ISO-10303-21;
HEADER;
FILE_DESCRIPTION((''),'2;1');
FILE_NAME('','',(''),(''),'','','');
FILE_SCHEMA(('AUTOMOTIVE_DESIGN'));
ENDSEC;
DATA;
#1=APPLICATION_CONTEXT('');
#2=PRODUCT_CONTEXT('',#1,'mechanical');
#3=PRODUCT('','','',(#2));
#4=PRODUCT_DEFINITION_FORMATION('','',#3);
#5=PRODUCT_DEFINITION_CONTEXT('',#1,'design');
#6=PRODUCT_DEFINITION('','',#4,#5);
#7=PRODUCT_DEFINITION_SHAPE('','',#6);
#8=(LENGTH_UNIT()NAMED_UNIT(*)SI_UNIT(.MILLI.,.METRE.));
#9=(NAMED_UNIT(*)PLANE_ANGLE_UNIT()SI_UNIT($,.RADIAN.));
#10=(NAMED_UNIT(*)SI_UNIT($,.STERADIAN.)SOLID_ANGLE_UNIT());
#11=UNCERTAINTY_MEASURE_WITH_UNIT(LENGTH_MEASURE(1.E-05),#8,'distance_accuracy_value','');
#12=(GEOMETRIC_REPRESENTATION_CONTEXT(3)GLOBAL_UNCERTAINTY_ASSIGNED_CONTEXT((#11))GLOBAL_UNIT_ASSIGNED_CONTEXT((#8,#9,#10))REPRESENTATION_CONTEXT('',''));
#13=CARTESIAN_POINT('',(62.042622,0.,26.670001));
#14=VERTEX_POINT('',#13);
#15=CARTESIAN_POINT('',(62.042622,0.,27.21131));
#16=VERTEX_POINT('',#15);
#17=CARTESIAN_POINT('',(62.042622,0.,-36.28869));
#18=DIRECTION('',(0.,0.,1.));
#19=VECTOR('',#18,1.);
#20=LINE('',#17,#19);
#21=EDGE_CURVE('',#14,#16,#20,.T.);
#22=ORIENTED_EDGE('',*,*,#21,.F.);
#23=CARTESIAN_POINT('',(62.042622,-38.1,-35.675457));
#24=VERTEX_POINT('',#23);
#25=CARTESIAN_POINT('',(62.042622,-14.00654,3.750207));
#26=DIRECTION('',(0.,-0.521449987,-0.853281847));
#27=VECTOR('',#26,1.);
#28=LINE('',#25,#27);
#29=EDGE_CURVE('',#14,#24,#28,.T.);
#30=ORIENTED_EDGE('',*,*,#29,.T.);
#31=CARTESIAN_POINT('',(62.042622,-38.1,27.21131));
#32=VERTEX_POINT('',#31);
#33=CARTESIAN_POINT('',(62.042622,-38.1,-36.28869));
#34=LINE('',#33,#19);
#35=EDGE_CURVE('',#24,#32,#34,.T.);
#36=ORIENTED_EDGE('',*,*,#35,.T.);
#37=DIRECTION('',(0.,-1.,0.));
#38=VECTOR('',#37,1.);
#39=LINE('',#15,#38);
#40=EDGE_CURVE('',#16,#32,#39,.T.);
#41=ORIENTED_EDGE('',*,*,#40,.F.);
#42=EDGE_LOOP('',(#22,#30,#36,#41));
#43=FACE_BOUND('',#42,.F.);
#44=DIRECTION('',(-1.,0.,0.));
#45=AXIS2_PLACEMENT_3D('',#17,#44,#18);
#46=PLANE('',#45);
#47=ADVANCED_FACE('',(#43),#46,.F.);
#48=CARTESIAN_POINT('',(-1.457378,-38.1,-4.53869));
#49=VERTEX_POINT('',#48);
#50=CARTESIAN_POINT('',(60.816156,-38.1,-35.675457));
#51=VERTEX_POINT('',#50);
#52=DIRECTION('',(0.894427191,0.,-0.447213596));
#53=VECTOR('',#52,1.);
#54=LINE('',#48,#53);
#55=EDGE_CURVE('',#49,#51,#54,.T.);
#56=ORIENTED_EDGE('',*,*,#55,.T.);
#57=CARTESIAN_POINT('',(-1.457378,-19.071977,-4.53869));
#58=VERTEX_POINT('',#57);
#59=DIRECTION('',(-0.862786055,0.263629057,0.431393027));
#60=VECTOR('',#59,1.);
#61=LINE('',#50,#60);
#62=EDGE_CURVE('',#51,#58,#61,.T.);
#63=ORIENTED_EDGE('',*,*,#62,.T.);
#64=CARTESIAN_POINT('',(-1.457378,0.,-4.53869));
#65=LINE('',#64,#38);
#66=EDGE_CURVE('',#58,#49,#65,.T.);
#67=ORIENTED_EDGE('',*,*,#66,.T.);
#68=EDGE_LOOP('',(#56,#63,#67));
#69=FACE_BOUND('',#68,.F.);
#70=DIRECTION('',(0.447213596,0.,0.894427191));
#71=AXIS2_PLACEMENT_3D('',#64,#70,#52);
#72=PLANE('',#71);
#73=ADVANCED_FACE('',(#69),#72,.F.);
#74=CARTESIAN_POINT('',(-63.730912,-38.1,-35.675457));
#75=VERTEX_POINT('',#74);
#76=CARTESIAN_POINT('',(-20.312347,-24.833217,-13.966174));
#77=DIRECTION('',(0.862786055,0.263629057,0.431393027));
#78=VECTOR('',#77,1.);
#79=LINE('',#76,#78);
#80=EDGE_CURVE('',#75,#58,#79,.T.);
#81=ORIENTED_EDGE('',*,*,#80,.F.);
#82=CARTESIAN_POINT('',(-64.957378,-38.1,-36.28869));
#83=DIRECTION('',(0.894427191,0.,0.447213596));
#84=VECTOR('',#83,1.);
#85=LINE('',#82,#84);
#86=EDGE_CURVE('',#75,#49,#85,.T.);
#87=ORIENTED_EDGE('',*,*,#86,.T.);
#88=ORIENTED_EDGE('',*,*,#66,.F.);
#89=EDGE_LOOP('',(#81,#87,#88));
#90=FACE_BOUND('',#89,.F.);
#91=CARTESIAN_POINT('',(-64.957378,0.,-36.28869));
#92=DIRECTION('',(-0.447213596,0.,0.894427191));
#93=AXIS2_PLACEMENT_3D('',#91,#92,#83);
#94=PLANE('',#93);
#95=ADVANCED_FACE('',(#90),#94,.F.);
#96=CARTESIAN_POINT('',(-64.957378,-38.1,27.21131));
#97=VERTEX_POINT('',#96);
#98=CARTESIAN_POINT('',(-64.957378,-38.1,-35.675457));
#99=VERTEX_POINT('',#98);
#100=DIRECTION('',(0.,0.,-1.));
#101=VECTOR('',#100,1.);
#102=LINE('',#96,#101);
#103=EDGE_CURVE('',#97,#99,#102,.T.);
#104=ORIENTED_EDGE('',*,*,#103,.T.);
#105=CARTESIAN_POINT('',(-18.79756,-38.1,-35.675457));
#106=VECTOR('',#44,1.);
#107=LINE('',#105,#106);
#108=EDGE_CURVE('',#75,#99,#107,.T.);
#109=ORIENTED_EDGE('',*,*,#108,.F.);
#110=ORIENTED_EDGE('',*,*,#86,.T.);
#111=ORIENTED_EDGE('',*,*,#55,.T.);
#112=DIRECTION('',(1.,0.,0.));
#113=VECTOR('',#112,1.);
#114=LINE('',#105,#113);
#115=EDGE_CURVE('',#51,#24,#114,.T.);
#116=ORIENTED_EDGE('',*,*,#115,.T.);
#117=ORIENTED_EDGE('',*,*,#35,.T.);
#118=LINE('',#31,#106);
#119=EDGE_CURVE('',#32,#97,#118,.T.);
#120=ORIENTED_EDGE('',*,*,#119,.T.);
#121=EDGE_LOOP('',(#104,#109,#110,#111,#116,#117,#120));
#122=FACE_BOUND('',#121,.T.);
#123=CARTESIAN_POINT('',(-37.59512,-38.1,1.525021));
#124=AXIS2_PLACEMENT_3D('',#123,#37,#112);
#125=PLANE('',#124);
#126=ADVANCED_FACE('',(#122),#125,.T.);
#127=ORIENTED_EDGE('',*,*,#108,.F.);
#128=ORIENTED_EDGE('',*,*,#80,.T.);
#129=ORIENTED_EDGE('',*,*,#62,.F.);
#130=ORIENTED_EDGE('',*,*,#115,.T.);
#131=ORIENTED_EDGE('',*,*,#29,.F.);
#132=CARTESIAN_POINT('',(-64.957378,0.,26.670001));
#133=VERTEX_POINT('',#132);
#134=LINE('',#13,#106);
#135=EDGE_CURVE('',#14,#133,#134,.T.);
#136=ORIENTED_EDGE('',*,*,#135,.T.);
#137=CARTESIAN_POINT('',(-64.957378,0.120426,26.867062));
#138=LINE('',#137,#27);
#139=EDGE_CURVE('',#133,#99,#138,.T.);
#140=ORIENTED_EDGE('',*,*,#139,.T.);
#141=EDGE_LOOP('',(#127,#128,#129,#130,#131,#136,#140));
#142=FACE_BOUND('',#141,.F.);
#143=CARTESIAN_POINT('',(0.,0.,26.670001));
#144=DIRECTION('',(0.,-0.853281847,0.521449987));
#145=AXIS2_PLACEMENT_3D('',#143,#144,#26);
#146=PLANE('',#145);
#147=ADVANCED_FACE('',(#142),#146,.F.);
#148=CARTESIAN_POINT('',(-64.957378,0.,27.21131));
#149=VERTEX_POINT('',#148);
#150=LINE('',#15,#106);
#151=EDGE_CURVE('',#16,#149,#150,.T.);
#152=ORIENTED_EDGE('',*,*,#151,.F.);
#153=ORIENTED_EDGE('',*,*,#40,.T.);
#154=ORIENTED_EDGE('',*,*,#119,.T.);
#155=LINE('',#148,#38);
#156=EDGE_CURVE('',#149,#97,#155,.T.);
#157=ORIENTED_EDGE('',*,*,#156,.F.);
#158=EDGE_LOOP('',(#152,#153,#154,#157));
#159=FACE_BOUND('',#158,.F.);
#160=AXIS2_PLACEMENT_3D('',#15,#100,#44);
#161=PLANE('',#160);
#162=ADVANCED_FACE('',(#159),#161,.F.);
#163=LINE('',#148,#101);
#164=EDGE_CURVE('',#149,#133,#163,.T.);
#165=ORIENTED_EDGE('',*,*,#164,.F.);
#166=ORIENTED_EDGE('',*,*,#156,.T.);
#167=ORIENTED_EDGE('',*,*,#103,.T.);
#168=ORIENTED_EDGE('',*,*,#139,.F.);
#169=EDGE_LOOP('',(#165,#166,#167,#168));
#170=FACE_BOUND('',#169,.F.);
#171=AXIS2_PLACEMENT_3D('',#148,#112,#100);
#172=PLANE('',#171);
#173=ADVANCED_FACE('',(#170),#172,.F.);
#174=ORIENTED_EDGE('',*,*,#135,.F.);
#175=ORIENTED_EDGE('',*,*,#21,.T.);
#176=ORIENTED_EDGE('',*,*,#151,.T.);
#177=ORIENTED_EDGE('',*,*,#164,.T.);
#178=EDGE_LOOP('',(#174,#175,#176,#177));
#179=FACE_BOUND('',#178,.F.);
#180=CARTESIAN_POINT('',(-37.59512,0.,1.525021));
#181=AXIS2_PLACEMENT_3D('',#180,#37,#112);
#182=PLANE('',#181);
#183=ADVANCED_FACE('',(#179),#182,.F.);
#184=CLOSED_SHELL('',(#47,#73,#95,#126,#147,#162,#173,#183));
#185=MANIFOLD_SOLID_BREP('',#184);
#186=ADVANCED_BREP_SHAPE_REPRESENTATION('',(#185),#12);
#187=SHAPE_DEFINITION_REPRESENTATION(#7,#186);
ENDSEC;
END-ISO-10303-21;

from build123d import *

# Parameters (mm, degrees)
F1_DEPTH      = 38.1
F3_DEPTH      = 98.552
F3_DEPTH_BACK = 78.232


with BuildPart() as f1:
    # F0 (on Front) → F1 (new body)
    with BuildSketch(Plane.XZ):
        Polygon((-1.4573782682, 27.211310178), (-64.9573782682, 27.211310178), (-64.9573782682, -36.288689822), (-1.4573782682, -4.538689822), align=None)
        Polygon((62.0426217318, 27.211310178), (-1.4573782682, 27.211310178), (-1.4573782682, -4.538689822), (62.0426217318, -36.288689822), align=None)
    extrude(amount=F1_DEPTH)

    # F2 (on Right) → F3 (cut, two sides)
    with BuildSketch(Plane.YZ) as f3_sk:
        Polygon((0, 26.6700014472), (-38.474753499, -36.288689822), (0, -36.288689822), align=None)
    extrude(amount=-F3_DEPTH, mode=Mode.SUBTRACT)
    extrude(f3_sk.sketch, amount=F3_DEPTH_BACK, mode=Mode.SUBTRACT)


solid = f1.part
